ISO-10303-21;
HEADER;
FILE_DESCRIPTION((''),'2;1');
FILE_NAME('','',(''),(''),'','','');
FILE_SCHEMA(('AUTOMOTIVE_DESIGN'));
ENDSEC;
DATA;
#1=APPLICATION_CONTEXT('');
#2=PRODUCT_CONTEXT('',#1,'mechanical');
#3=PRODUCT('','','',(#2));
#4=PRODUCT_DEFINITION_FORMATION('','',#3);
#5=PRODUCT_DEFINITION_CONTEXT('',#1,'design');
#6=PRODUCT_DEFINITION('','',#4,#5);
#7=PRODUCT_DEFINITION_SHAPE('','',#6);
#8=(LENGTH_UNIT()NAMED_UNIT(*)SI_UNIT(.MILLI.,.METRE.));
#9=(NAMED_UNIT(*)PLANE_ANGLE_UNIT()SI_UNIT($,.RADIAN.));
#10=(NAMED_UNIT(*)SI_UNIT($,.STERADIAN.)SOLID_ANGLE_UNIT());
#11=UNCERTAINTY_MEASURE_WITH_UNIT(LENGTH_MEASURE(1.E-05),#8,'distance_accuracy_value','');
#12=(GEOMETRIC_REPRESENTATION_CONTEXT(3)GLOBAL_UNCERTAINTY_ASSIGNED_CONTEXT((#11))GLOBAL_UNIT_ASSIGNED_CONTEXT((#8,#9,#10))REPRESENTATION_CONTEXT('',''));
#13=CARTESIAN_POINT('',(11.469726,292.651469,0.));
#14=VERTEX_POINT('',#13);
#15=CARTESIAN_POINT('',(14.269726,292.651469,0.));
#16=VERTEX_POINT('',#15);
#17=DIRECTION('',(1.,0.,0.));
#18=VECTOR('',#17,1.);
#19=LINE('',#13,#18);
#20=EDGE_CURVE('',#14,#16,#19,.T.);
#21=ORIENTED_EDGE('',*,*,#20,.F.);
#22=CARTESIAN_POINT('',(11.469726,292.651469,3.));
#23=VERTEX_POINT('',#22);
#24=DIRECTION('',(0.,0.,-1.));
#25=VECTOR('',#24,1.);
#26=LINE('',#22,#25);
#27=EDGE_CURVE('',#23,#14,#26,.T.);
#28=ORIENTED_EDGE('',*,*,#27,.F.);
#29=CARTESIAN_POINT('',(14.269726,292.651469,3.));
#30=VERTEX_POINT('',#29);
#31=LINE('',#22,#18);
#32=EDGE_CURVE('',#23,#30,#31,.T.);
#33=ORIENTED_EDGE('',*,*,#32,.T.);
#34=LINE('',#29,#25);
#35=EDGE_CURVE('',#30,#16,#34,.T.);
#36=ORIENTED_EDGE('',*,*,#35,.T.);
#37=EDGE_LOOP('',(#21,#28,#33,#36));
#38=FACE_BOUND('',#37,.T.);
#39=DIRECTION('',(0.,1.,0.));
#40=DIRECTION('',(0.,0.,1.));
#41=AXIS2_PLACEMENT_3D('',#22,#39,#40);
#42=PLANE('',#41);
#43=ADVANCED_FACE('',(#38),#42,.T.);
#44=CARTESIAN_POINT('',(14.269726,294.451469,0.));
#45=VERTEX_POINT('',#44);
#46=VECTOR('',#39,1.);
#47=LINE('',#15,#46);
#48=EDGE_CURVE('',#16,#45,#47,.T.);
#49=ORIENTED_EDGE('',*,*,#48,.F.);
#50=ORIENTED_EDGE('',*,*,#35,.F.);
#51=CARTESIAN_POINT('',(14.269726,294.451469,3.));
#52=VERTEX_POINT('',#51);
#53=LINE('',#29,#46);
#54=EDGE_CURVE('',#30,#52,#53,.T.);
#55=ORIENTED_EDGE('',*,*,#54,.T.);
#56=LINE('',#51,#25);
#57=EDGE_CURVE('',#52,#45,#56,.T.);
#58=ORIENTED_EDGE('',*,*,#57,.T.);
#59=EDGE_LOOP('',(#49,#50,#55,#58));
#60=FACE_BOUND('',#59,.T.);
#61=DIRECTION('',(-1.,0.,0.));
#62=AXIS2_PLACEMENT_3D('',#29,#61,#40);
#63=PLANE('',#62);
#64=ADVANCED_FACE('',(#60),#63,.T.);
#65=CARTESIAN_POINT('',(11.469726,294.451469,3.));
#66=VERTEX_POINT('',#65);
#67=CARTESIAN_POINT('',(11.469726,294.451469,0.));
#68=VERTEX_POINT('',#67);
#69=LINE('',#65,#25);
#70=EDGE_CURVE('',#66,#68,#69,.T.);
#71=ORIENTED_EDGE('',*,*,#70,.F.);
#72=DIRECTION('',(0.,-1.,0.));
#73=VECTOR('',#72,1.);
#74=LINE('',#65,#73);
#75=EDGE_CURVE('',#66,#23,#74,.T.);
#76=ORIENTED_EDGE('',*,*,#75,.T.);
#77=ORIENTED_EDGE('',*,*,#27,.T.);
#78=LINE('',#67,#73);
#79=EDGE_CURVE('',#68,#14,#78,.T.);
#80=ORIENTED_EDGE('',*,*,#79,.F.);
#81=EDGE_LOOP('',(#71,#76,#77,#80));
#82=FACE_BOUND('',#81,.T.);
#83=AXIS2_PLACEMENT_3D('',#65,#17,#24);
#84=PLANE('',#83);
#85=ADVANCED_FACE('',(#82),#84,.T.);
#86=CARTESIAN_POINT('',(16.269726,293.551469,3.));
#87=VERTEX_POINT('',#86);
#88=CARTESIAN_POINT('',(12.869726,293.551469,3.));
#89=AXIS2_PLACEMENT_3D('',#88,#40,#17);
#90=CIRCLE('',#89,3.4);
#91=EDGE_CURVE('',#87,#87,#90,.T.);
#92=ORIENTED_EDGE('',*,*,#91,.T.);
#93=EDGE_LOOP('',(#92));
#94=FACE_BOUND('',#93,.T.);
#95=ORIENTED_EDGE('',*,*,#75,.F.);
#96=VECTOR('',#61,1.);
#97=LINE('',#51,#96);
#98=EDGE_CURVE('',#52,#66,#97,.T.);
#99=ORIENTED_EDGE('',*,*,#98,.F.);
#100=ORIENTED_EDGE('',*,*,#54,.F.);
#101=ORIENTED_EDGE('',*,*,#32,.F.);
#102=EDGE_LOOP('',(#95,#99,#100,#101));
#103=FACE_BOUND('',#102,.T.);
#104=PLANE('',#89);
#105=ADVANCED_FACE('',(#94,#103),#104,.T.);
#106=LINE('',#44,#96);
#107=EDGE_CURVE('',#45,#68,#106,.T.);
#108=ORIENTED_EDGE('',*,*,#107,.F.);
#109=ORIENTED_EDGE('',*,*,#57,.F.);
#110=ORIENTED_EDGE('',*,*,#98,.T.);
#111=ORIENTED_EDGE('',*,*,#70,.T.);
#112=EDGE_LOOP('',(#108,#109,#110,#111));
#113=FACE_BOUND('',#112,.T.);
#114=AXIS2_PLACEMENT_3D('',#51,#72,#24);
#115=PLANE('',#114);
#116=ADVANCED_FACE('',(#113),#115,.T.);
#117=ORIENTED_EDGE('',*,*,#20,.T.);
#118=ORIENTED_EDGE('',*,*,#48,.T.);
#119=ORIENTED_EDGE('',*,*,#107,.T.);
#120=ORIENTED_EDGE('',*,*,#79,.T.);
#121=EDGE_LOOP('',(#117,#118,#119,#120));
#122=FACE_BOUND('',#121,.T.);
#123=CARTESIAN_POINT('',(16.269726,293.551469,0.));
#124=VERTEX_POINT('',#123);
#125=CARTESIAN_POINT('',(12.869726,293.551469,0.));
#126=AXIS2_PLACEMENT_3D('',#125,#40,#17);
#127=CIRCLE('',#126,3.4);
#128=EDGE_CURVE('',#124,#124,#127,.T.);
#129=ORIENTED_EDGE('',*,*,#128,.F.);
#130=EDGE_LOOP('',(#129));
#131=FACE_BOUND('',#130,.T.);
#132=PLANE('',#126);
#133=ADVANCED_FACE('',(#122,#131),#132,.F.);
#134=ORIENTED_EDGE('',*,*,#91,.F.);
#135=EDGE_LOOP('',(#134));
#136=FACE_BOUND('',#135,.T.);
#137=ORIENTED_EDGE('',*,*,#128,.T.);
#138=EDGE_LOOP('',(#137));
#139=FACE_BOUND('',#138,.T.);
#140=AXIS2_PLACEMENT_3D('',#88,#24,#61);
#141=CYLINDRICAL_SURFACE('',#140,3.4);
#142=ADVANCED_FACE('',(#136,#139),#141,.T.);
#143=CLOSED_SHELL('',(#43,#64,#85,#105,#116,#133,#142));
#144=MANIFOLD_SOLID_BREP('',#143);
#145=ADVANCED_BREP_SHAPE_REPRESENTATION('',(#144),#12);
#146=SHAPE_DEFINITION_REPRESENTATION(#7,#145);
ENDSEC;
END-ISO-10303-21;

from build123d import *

# Parameters (mm, degrees)
MODEL_R                 = 3.4
MODEL_W                 = 2.8
MODEL_H                 = 1.8
SALIENTE_EXTRUIR1_DEPTH = 3


with BuildPart() as part:
    # Model → Saliente-Extruir1 (new body)
    with BuildSketch(Plane.XY):
        with Locations((12.869725503, 293.551469222)):
            Circle(MODEL_R)
        with Locations((12.869725503, 293.551469222)):
            Rectangle(MODEL_W, MODEL_H, mode=Mode.SUBTRACT)
    extrude(amount=SALIENTE_EXTRUIR1_DEPTH)


solid = part.part
